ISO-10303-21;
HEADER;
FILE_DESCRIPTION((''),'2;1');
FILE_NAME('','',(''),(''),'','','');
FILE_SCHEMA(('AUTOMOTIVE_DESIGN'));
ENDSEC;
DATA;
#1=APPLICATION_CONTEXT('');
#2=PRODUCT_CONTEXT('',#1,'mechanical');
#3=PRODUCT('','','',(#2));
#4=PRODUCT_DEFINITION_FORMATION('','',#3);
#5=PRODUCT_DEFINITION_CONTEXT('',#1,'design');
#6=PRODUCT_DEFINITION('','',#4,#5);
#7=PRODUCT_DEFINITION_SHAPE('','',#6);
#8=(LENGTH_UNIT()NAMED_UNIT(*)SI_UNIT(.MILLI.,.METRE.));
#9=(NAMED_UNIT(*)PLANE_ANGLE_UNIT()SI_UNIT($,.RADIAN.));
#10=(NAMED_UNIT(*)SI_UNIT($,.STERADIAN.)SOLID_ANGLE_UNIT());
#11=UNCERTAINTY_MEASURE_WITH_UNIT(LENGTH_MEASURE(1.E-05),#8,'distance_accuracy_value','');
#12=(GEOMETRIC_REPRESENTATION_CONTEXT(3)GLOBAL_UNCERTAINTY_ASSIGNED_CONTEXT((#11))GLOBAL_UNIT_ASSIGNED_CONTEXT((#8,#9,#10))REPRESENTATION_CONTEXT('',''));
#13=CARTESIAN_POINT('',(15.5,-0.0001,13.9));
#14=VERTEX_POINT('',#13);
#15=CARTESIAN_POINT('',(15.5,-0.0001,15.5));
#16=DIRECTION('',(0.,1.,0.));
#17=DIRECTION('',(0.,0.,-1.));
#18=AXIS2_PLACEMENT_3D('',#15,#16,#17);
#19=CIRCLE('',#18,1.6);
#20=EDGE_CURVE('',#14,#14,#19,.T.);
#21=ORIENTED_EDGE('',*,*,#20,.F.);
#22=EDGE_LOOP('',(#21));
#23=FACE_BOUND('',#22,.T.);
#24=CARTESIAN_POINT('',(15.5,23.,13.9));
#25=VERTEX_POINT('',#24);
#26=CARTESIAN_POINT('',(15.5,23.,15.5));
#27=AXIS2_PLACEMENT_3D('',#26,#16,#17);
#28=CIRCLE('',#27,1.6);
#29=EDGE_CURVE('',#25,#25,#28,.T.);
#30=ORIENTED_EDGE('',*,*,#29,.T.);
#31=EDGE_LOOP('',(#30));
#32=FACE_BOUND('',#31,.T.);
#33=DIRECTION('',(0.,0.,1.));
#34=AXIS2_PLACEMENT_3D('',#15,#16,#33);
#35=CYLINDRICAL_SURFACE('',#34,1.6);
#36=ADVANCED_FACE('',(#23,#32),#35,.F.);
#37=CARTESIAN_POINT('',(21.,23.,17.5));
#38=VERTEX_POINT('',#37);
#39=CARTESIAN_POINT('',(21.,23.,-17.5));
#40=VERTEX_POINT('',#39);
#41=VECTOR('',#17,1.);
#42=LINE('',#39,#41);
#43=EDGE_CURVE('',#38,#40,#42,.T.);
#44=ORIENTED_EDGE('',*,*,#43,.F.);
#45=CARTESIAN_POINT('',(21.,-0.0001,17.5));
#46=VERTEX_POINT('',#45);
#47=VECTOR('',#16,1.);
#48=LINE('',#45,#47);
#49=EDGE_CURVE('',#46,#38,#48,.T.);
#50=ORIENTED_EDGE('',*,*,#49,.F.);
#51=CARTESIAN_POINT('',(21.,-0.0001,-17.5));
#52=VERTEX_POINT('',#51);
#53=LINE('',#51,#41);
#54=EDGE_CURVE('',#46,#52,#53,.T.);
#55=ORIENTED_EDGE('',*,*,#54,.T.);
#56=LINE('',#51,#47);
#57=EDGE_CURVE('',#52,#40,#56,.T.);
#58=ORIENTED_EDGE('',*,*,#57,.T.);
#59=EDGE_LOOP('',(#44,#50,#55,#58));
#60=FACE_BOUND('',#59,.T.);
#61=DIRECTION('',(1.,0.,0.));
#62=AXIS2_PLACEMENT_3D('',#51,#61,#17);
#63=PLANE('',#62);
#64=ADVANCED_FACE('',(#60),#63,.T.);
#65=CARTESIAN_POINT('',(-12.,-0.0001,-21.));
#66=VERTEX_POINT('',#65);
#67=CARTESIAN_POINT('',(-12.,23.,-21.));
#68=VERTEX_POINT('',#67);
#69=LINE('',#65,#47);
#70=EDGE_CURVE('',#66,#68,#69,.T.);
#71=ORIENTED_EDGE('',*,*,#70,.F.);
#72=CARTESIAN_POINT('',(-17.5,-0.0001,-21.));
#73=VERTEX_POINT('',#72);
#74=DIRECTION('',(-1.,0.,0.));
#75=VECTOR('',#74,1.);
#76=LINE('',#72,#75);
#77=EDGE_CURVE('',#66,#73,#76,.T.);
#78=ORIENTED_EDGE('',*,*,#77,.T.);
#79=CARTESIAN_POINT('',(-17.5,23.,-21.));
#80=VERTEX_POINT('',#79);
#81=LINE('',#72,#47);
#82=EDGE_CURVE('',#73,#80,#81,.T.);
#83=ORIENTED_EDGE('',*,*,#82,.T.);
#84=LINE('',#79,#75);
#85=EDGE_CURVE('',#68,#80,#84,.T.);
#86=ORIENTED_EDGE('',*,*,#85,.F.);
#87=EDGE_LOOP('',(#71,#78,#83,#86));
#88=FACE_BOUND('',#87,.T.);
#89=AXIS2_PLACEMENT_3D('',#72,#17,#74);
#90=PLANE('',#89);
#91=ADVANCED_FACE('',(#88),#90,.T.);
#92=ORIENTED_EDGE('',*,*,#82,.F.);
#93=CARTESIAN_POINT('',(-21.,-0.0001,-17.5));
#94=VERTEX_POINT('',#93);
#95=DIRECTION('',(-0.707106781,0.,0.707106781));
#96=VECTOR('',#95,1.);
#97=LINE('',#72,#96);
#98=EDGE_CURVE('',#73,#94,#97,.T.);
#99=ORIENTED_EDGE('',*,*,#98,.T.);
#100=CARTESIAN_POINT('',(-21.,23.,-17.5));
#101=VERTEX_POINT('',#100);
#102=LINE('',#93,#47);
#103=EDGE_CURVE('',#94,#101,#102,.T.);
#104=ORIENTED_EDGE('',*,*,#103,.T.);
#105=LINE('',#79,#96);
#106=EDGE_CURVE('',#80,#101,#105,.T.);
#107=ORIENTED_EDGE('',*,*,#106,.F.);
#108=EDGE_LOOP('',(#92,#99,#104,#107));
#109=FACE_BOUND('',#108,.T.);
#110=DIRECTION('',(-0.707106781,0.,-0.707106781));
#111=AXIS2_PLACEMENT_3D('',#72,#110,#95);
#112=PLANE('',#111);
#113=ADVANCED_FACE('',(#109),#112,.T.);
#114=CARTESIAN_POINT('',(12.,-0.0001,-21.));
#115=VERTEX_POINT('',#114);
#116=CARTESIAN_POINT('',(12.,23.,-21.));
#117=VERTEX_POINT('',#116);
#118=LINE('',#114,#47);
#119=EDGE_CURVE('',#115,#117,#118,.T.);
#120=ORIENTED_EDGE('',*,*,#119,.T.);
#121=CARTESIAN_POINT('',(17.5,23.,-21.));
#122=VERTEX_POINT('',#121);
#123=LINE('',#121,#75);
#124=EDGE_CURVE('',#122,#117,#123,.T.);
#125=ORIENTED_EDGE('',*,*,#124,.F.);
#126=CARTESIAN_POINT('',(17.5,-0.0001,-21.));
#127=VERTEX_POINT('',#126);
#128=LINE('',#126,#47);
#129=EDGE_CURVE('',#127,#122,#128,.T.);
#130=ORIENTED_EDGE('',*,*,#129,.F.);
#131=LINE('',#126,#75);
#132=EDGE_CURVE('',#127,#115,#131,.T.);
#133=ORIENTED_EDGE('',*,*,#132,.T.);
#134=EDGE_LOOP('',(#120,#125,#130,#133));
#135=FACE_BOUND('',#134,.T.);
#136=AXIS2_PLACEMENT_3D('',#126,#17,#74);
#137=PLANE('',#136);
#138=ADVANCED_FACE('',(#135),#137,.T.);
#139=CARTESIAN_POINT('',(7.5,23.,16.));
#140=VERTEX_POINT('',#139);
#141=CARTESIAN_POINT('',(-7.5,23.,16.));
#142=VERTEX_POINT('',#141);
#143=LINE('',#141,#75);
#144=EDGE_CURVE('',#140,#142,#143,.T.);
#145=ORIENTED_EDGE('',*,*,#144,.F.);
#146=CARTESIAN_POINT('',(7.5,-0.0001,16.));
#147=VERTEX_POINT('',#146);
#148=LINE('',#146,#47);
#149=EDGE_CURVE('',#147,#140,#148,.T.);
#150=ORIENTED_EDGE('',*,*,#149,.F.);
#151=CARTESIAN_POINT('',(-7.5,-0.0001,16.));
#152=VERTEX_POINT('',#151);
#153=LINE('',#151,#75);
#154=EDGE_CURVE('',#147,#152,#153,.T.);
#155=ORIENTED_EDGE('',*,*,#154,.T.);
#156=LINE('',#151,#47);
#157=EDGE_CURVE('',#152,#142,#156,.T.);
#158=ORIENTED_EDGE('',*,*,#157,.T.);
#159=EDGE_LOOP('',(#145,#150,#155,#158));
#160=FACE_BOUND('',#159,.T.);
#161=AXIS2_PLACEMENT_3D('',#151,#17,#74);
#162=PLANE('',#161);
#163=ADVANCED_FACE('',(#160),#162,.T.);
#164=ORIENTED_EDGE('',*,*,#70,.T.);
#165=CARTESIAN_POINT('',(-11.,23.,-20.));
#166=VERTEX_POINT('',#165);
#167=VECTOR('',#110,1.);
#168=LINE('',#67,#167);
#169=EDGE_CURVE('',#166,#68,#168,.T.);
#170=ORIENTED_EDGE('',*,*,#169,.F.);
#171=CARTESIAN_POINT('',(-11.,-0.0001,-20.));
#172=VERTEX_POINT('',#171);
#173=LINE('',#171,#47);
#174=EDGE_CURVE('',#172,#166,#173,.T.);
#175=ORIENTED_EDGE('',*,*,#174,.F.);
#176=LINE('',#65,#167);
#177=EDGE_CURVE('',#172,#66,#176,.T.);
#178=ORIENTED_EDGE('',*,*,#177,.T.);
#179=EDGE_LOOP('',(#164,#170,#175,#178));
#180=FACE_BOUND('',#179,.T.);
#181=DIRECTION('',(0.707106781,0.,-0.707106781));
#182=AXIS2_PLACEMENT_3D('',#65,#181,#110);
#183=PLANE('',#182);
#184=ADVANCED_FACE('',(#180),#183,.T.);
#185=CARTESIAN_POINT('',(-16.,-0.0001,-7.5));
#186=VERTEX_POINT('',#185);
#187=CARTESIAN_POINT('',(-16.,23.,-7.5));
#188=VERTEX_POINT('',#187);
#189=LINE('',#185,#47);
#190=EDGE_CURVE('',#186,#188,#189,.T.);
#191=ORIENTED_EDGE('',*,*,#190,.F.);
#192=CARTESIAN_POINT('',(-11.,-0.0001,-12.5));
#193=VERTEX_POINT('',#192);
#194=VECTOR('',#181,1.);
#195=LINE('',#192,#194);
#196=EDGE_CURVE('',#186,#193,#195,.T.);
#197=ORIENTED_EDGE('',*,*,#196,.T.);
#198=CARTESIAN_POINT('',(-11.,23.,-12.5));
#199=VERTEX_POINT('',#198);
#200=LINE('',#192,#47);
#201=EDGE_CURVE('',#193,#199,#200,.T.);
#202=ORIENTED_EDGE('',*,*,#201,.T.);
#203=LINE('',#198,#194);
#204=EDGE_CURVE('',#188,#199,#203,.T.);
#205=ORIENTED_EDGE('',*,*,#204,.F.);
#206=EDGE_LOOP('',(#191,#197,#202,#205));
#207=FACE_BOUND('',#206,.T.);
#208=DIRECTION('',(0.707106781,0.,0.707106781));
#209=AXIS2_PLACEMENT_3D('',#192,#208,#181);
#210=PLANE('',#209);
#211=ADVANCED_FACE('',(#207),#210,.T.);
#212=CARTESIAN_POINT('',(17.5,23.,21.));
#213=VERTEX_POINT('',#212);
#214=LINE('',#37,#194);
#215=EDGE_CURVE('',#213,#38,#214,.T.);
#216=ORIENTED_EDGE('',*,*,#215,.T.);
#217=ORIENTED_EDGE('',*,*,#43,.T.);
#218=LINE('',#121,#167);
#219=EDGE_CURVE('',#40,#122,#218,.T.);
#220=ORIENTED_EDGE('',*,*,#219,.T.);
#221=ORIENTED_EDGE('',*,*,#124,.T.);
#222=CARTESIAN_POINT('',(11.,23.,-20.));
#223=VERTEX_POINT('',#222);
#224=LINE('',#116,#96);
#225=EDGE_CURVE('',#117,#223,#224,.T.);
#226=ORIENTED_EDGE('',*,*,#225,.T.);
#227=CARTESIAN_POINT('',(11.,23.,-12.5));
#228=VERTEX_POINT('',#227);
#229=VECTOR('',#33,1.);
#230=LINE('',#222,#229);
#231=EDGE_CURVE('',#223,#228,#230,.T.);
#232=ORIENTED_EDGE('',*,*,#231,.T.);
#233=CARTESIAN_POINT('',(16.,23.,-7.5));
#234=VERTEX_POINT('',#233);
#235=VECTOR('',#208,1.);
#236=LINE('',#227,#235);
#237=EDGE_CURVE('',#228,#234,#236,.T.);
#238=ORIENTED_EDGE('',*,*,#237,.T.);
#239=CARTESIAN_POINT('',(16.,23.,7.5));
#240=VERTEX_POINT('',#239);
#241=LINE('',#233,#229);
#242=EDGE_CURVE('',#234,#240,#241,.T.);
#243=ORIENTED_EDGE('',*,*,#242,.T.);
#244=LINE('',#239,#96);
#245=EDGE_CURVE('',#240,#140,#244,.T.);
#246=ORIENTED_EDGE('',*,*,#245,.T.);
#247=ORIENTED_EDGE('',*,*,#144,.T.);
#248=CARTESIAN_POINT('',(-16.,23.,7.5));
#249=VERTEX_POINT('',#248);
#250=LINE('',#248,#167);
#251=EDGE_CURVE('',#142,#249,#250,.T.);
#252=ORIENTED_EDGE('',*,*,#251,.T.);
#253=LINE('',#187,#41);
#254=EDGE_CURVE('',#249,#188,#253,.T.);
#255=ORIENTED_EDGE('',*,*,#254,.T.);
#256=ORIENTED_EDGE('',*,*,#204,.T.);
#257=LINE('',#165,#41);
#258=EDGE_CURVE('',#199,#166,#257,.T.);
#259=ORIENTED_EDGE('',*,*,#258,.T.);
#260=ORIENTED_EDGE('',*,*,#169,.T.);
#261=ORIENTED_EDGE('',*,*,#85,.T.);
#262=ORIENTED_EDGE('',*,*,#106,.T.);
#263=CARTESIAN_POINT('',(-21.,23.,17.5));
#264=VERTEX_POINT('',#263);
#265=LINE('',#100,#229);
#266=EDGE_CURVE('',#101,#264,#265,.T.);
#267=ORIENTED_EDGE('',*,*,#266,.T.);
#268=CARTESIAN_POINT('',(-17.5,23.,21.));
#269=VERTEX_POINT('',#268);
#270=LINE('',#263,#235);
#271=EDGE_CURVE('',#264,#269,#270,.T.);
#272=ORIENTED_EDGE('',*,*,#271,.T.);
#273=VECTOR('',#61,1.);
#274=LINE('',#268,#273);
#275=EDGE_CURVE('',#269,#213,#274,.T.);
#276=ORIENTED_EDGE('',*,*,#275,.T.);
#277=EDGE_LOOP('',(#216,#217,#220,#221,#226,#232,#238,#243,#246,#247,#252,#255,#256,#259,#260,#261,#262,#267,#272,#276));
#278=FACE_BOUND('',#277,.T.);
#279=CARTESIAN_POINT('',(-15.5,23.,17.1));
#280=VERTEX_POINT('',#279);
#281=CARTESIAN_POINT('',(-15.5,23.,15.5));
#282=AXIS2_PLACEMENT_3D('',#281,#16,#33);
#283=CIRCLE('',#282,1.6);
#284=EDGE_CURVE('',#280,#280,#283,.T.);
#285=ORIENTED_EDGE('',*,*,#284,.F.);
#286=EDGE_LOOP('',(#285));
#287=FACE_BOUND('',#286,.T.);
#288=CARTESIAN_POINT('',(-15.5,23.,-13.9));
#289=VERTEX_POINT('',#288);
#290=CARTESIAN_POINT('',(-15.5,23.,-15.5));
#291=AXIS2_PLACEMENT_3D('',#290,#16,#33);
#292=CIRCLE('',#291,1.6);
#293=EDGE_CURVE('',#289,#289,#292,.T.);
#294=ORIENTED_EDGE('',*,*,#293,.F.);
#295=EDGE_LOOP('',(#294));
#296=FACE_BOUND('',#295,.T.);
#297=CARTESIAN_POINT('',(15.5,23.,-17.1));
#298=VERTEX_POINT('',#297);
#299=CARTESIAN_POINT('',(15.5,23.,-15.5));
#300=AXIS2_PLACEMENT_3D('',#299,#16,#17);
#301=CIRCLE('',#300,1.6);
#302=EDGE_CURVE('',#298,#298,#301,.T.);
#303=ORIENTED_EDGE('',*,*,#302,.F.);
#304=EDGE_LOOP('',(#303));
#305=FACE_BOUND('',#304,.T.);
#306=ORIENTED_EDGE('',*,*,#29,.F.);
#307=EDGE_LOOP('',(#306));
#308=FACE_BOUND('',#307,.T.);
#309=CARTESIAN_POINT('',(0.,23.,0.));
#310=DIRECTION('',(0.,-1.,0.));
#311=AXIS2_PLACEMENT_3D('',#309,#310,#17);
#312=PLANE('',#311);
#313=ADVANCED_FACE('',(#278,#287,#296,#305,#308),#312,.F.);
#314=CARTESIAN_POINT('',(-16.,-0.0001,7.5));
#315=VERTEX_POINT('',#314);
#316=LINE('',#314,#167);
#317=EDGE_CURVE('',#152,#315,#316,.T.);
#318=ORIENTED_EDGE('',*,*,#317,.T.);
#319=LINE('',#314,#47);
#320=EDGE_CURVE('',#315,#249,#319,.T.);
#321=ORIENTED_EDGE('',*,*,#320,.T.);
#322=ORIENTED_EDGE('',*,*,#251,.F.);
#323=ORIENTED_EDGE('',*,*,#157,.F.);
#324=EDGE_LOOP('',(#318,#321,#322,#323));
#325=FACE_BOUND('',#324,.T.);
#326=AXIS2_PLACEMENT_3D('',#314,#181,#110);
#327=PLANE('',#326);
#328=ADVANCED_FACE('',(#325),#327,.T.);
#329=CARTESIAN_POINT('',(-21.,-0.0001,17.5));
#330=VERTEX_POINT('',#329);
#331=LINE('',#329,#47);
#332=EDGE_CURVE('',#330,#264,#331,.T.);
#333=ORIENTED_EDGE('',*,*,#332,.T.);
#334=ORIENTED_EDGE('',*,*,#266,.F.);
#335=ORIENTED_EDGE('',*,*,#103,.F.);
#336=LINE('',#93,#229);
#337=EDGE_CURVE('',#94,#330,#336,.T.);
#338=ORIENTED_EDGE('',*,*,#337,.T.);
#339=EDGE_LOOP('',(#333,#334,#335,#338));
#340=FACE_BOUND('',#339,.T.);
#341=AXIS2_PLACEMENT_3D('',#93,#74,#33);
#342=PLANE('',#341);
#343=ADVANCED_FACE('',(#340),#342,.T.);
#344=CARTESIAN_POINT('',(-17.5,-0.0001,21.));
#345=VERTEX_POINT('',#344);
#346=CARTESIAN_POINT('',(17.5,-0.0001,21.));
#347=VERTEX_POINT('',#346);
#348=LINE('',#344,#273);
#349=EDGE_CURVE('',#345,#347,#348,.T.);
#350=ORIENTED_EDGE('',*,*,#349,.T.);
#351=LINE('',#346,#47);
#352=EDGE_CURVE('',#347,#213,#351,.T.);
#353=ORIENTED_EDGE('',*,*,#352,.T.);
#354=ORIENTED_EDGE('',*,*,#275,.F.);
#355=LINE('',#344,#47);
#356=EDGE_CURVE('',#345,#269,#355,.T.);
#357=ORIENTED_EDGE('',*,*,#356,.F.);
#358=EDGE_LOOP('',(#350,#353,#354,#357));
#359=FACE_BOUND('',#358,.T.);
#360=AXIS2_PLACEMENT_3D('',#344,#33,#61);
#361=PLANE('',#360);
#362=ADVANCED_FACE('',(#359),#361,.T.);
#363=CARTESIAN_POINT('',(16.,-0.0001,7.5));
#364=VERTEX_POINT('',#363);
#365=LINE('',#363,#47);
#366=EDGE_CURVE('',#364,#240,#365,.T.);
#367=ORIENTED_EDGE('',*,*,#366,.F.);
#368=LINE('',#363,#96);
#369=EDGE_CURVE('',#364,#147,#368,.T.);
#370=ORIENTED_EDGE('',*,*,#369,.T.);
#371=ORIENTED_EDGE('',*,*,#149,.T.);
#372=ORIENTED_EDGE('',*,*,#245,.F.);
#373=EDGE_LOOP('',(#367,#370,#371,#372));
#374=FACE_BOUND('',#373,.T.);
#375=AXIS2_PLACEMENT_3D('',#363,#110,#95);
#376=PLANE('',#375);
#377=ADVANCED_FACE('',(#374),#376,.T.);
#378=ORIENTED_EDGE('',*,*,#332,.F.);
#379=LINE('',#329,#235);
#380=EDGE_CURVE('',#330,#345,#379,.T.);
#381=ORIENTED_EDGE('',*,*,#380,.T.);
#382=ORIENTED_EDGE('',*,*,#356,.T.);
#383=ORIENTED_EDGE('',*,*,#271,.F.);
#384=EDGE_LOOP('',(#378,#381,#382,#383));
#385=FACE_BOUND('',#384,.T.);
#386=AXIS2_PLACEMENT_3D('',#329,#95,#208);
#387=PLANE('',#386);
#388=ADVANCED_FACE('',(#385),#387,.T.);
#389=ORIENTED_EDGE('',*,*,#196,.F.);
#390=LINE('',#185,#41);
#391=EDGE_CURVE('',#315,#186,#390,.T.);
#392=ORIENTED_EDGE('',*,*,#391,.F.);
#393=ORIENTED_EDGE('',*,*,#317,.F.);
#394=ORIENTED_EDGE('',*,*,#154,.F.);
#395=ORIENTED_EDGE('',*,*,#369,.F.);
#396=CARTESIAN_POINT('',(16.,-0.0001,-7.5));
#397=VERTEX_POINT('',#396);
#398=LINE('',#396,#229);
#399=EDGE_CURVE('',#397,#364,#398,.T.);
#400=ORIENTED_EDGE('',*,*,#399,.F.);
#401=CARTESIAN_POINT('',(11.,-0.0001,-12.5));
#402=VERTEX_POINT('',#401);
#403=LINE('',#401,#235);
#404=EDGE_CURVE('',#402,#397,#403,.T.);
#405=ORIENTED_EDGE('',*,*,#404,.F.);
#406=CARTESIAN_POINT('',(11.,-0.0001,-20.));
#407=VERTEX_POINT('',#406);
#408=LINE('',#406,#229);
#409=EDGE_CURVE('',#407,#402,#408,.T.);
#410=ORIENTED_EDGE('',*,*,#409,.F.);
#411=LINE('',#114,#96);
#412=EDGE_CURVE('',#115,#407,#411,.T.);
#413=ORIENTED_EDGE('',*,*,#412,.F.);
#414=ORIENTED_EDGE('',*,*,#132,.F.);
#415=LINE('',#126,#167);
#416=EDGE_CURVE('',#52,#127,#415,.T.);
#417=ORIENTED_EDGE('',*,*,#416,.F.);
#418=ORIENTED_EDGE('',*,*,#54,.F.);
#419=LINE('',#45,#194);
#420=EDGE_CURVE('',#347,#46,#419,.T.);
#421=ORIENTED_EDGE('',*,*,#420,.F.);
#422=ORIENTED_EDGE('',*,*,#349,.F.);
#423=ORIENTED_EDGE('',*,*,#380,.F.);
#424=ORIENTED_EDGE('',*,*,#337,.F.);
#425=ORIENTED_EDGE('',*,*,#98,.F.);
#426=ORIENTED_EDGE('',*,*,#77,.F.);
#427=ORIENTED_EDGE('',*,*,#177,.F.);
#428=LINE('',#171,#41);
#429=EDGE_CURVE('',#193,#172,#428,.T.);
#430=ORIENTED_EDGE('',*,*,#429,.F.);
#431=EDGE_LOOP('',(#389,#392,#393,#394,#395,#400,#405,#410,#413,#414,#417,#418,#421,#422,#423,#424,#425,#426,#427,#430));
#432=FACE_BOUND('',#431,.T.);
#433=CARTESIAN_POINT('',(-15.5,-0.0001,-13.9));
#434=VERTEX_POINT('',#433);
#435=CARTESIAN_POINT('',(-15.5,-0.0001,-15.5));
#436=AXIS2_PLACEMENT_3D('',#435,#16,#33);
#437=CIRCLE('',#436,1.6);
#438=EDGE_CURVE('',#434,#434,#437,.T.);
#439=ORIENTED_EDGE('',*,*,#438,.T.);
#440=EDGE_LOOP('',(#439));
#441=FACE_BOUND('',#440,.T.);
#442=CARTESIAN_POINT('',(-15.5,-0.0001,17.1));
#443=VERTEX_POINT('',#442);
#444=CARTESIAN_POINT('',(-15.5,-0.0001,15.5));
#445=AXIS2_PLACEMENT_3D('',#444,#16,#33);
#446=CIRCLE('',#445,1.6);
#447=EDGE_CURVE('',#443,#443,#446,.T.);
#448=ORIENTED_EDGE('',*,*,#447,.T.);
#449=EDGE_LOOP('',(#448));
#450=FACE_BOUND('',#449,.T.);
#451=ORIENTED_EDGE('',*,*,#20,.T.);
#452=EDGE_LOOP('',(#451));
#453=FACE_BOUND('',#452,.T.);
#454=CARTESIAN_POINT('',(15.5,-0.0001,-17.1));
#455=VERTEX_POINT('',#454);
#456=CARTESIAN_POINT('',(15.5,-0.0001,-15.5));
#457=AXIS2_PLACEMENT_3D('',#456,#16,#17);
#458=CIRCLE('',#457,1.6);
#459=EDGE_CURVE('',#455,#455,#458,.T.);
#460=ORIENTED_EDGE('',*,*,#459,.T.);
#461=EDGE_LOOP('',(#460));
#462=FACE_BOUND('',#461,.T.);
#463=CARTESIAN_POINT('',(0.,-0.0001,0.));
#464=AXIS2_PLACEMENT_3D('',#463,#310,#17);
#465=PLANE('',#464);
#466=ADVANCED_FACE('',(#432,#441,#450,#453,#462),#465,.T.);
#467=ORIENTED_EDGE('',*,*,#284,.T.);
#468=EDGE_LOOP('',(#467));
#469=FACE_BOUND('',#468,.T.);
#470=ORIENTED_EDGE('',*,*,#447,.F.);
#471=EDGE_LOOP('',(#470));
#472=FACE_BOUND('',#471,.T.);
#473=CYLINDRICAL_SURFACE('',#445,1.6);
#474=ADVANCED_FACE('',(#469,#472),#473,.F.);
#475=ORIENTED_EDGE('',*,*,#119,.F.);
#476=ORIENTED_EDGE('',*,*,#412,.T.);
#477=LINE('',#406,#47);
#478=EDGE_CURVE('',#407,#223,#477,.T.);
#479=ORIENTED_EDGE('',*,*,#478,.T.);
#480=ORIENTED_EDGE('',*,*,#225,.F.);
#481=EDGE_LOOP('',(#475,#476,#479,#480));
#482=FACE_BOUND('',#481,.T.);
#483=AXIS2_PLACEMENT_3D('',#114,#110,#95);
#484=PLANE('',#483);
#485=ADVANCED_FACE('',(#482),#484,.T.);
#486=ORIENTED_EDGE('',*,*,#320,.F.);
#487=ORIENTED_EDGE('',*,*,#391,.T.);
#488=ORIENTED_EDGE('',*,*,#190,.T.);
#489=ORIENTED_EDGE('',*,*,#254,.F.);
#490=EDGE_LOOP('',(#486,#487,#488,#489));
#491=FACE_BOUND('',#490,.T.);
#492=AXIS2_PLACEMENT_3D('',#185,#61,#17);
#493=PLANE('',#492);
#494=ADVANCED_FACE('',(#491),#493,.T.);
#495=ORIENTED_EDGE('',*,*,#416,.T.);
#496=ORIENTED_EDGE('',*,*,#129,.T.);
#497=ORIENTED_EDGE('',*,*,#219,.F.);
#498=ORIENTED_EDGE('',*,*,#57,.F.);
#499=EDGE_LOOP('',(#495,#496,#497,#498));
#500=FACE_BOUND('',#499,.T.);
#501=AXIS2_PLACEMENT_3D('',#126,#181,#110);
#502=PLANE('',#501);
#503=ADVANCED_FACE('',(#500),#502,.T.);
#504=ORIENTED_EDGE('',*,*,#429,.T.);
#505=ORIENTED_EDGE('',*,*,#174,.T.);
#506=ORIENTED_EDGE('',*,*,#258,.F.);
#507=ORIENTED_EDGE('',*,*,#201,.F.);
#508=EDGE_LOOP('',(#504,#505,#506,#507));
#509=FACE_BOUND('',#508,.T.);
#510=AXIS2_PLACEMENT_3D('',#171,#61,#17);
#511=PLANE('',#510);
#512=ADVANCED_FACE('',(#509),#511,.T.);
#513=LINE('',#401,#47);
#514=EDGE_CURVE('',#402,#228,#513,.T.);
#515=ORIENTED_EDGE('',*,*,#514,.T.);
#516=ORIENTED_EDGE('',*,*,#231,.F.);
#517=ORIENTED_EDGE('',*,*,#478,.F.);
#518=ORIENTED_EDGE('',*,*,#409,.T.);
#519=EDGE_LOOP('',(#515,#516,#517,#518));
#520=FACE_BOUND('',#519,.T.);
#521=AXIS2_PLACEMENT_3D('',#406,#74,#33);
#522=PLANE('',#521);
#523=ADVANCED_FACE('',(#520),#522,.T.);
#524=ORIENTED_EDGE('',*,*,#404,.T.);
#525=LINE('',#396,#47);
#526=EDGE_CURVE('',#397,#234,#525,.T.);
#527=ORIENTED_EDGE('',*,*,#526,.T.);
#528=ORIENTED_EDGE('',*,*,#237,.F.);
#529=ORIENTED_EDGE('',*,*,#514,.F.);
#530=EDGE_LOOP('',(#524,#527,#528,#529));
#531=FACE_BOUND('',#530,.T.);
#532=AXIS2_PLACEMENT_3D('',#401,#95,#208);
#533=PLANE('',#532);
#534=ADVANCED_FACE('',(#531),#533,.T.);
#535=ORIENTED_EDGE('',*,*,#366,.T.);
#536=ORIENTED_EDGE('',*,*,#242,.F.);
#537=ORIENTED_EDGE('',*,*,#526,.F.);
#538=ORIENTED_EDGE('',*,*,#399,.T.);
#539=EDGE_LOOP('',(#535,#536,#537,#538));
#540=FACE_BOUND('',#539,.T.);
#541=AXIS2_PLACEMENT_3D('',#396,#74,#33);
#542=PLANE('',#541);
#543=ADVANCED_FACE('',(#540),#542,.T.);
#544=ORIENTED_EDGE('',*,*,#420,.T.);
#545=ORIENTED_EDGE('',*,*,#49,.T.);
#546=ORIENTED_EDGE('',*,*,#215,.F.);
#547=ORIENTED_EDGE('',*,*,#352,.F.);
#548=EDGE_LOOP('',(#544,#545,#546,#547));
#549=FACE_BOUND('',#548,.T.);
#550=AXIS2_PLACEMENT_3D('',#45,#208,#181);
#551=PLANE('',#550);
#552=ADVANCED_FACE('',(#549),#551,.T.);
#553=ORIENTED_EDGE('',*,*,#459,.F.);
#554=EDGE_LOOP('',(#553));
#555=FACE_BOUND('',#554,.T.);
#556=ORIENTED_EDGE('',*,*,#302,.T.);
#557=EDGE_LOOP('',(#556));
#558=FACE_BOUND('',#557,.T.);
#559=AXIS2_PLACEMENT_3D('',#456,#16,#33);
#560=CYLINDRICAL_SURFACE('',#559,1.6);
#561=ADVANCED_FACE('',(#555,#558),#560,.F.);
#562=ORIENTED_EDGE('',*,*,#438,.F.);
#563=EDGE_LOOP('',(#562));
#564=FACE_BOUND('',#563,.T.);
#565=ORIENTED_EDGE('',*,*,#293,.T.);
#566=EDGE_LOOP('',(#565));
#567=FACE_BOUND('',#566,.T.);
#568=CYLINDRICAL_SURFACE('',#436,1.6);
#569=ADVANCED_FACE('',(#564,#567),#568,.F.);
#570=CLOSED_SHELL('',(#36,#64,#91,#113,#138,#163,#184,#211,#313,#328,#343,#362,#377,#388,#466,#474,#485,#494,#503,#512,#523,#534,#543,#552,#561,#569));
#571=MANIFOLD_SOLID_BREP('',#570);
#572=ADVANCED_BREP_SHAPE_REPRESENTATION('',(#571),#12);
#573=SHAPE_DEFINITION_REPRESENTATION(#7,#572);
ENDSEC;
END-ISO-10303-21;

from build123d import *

# Parameters (mm, degrees)
SKETCH1_R       = 1.6
BASE_DEPTH      = 23
BASE_DEPTH_BACK = 0.0001


with BuildPart() as part:
    # Sketch1 → Base (new body, two sides)
    with BuildSketch(Plane(origin=(0, 0, 0), x_dir=(1, 0, 0), z_dir=(0, 1, 0))) as base_sk:
        Polygon((-16, -7.499999998), (-7.5, -15.999999998), (7.5, -15.999999998), (16, -7.499999998), (16, 7.500000002), (11, 12.500000002), (11, 20.000000005), (12, 21.000000005), (17.500000004, 21.000000005), (21, 17.500000009), (21, -17.499999998), (17.5, -20.999999998), (-17.5, -20.999999998), (-21, -17.499999998), (-21, 17.500000009), (-17.500000004, 21.000000005), (-12, 21.000000005), (-11, 20.000000005), (-11, 12.500000002), (-16, 7.500000002), align=None)
        with Locations((-15.500000002, 15.5)):
            Circle(SKETCH1_R, mode=Mode.SUBTRACT)
        with Locations((-15.500000002, -15.5)):
            Circle(SKETCH1_R, mode=Mode.SUBTRACT)
        with Locations((15.500000002, -15.5)):
            Circle(SKETCH1_R, mode=Mode.SUBTRACT)
        with Locations((15.500000002, 15.5)):
            Circle(SKETCH1_R, mode=Mode.SUBTRACT)
    extrude(amount=BASE_DEPTH)
    extrude(base_sk.sketch, amount=-BASE_DEPTH_BACK)


solid = part.part
